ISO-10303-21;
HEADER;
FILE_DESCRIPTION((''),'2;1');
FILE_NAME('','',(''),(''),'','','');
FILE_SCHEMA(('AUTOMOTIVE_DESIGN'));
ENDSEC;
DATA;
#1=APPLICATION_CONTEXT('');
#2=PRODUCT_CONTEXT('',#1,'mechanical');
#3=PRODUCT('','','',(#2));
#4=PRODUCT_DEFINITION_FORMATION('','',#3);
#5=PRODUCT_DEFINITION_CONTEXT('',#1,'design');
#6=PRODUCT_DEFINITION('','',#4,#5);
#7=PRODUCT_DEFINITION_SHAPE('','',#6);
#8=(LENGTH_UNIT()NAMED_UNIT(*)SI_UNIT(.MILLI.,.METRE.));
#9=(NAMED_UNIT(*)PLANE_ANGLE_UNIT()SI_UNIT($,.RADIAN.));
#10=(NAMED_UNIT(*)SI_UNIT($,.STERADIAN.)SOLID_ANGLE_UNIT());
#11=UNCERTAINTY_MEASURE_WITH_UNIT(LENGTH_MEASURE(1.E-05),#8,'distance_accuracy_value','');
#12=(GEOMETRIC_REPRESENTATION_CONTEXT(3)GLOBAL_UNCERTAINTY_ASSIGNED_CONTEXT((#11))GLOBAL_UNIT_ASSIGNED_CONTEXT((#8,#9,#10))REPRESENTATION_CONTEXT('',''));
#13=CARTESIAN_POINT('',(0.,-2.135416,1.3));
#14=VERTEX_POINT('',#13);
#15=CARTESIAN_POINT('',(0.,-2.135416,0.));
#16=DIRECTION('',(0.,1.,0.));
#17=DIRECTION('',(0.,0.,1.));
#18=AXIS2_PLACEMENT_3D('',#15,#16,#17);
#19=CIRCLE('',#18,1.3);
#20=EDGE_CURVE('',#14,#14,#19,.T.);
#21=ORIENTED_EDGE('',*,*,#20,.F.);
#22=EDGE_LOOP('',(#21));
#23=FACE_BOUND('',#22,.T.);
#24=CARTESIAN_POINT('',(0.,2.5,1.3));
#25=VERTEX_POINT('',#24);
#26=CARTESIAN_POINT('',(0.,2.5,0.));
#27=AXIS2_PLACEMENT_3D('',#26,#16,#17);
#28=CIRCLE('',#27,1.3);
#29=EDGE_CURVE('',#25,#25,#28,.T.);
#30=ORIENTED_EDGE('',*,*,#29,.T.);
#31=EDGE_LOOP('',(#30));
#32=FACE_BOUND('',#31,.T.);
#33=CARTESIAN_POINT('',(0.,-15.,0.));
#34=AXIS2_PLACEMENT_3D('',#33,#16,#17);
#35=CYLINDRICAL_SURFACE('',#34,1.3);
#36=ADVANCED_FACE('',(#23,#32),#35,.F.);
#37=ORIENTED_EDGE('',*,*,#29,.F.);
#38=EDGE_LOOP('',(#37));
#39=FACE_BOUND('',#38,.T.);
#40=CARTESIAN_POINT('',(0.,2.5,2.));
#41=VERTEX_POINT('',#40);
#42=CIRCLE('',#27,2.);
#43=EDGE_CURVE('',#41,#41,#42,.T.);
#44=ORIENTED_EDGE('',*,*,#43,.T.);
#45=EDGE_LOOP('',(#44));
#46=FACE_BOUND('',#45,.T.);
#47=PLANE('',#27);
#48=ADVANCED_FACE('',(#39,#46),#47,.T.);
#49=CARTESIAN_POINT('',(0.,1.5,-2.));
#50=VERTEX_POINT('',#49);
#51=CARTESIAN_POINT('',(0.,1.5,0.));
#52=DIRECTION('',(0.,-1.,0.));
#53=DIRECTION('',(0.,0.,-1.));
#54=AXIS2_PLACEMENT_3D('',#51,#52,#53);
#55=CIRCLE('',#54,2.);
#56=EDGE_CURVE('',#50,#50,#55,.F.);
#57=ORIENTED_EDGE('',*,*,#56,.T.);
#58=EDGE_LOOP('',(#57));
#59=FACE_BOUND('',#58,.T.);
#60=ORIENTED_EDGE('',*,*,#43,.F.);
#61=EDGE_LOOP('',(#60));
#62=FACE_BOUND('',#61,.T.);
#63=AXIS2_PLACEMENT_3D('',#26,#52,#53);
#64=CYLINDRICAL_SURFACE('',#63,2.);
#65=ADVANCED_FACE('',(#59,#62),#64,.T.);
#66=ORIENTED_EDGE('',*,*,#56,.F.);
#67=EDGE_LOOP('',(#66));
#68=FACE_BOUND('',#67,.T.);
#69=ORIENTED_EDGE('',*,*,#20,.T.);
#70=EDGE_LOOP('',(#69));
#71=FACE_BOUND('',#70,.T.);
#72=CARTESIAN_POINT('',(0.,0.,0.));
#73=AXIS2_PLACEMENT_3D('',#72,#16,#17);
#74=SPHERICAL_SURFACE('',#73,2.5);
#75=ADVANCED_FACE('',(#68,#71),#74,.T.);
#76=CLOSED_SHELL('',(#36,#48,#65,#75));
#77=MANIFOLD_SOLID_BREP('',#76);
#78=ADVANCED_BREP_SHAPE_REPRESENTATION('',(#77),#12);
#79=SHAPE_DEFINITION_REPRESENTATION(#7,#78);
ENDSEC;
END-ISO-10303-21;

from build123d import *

# Parameters (mm, degrees)
SKETCH2_R           = 1.3
CUT_EXTRUDE1_DEPTH  = 15
BOSS_EXTRUDE1_START = 2.5
SKETCH3_R           = 2
SKETCH3_R_2         = 1.3
BOSS_EXTRUDE1_DEPTH = 2.5


with BuildPart() as part:
    # Sketch1 → Revolve2 (revolve)
    with BuildSketch(Plane.XY):
        with BuildLine():
            Line((-2.5, 0), (2.5, 0))
            ThreePointArc((2.5, 0), (0, -2.5), (-2.5, 0))
        make_face()
    revolve(axis=Axis((4.664316952, 0, 0), (-1, 0, 0)))

    # Sketch2 → Cut-Extrude1 (cut, symmetric)
    with BuildSketch(Plane(origin=(0, 0, 0), x_dir=(1, 0, 0), z_dir=(0, 1, 0))):
        with Locations(Location((0, 0, 0), (0, 0, 90))):
            Circle(SKETCH2_R)
    extrude(amount=CUT_EXTRUDE1_DEPTH, both=True, mode=Mode.SUBTRACT)

    # Sketch3 → Boss-Extrude1 (add)
    with BuildSketch(Plane(origin=(0, 0, 0), x_dir=(1, 0, 0), z_dir=(0, 1, 0)).offset(BOSS_EXTRUDE1_START)):
        with Locations(Location((0, 0, 0), (0, 0, 270))):
            Circle(SKETCH3_R)
        with Locations(Location((0, 0, 0), (0, 0, 270))):
            Circle(SKETCH3_R_2, mode=Mode.SUBTRACT)
    extrude(amount=-BOSS_EXTRUDE1_DEPTH)


solid = part.part
